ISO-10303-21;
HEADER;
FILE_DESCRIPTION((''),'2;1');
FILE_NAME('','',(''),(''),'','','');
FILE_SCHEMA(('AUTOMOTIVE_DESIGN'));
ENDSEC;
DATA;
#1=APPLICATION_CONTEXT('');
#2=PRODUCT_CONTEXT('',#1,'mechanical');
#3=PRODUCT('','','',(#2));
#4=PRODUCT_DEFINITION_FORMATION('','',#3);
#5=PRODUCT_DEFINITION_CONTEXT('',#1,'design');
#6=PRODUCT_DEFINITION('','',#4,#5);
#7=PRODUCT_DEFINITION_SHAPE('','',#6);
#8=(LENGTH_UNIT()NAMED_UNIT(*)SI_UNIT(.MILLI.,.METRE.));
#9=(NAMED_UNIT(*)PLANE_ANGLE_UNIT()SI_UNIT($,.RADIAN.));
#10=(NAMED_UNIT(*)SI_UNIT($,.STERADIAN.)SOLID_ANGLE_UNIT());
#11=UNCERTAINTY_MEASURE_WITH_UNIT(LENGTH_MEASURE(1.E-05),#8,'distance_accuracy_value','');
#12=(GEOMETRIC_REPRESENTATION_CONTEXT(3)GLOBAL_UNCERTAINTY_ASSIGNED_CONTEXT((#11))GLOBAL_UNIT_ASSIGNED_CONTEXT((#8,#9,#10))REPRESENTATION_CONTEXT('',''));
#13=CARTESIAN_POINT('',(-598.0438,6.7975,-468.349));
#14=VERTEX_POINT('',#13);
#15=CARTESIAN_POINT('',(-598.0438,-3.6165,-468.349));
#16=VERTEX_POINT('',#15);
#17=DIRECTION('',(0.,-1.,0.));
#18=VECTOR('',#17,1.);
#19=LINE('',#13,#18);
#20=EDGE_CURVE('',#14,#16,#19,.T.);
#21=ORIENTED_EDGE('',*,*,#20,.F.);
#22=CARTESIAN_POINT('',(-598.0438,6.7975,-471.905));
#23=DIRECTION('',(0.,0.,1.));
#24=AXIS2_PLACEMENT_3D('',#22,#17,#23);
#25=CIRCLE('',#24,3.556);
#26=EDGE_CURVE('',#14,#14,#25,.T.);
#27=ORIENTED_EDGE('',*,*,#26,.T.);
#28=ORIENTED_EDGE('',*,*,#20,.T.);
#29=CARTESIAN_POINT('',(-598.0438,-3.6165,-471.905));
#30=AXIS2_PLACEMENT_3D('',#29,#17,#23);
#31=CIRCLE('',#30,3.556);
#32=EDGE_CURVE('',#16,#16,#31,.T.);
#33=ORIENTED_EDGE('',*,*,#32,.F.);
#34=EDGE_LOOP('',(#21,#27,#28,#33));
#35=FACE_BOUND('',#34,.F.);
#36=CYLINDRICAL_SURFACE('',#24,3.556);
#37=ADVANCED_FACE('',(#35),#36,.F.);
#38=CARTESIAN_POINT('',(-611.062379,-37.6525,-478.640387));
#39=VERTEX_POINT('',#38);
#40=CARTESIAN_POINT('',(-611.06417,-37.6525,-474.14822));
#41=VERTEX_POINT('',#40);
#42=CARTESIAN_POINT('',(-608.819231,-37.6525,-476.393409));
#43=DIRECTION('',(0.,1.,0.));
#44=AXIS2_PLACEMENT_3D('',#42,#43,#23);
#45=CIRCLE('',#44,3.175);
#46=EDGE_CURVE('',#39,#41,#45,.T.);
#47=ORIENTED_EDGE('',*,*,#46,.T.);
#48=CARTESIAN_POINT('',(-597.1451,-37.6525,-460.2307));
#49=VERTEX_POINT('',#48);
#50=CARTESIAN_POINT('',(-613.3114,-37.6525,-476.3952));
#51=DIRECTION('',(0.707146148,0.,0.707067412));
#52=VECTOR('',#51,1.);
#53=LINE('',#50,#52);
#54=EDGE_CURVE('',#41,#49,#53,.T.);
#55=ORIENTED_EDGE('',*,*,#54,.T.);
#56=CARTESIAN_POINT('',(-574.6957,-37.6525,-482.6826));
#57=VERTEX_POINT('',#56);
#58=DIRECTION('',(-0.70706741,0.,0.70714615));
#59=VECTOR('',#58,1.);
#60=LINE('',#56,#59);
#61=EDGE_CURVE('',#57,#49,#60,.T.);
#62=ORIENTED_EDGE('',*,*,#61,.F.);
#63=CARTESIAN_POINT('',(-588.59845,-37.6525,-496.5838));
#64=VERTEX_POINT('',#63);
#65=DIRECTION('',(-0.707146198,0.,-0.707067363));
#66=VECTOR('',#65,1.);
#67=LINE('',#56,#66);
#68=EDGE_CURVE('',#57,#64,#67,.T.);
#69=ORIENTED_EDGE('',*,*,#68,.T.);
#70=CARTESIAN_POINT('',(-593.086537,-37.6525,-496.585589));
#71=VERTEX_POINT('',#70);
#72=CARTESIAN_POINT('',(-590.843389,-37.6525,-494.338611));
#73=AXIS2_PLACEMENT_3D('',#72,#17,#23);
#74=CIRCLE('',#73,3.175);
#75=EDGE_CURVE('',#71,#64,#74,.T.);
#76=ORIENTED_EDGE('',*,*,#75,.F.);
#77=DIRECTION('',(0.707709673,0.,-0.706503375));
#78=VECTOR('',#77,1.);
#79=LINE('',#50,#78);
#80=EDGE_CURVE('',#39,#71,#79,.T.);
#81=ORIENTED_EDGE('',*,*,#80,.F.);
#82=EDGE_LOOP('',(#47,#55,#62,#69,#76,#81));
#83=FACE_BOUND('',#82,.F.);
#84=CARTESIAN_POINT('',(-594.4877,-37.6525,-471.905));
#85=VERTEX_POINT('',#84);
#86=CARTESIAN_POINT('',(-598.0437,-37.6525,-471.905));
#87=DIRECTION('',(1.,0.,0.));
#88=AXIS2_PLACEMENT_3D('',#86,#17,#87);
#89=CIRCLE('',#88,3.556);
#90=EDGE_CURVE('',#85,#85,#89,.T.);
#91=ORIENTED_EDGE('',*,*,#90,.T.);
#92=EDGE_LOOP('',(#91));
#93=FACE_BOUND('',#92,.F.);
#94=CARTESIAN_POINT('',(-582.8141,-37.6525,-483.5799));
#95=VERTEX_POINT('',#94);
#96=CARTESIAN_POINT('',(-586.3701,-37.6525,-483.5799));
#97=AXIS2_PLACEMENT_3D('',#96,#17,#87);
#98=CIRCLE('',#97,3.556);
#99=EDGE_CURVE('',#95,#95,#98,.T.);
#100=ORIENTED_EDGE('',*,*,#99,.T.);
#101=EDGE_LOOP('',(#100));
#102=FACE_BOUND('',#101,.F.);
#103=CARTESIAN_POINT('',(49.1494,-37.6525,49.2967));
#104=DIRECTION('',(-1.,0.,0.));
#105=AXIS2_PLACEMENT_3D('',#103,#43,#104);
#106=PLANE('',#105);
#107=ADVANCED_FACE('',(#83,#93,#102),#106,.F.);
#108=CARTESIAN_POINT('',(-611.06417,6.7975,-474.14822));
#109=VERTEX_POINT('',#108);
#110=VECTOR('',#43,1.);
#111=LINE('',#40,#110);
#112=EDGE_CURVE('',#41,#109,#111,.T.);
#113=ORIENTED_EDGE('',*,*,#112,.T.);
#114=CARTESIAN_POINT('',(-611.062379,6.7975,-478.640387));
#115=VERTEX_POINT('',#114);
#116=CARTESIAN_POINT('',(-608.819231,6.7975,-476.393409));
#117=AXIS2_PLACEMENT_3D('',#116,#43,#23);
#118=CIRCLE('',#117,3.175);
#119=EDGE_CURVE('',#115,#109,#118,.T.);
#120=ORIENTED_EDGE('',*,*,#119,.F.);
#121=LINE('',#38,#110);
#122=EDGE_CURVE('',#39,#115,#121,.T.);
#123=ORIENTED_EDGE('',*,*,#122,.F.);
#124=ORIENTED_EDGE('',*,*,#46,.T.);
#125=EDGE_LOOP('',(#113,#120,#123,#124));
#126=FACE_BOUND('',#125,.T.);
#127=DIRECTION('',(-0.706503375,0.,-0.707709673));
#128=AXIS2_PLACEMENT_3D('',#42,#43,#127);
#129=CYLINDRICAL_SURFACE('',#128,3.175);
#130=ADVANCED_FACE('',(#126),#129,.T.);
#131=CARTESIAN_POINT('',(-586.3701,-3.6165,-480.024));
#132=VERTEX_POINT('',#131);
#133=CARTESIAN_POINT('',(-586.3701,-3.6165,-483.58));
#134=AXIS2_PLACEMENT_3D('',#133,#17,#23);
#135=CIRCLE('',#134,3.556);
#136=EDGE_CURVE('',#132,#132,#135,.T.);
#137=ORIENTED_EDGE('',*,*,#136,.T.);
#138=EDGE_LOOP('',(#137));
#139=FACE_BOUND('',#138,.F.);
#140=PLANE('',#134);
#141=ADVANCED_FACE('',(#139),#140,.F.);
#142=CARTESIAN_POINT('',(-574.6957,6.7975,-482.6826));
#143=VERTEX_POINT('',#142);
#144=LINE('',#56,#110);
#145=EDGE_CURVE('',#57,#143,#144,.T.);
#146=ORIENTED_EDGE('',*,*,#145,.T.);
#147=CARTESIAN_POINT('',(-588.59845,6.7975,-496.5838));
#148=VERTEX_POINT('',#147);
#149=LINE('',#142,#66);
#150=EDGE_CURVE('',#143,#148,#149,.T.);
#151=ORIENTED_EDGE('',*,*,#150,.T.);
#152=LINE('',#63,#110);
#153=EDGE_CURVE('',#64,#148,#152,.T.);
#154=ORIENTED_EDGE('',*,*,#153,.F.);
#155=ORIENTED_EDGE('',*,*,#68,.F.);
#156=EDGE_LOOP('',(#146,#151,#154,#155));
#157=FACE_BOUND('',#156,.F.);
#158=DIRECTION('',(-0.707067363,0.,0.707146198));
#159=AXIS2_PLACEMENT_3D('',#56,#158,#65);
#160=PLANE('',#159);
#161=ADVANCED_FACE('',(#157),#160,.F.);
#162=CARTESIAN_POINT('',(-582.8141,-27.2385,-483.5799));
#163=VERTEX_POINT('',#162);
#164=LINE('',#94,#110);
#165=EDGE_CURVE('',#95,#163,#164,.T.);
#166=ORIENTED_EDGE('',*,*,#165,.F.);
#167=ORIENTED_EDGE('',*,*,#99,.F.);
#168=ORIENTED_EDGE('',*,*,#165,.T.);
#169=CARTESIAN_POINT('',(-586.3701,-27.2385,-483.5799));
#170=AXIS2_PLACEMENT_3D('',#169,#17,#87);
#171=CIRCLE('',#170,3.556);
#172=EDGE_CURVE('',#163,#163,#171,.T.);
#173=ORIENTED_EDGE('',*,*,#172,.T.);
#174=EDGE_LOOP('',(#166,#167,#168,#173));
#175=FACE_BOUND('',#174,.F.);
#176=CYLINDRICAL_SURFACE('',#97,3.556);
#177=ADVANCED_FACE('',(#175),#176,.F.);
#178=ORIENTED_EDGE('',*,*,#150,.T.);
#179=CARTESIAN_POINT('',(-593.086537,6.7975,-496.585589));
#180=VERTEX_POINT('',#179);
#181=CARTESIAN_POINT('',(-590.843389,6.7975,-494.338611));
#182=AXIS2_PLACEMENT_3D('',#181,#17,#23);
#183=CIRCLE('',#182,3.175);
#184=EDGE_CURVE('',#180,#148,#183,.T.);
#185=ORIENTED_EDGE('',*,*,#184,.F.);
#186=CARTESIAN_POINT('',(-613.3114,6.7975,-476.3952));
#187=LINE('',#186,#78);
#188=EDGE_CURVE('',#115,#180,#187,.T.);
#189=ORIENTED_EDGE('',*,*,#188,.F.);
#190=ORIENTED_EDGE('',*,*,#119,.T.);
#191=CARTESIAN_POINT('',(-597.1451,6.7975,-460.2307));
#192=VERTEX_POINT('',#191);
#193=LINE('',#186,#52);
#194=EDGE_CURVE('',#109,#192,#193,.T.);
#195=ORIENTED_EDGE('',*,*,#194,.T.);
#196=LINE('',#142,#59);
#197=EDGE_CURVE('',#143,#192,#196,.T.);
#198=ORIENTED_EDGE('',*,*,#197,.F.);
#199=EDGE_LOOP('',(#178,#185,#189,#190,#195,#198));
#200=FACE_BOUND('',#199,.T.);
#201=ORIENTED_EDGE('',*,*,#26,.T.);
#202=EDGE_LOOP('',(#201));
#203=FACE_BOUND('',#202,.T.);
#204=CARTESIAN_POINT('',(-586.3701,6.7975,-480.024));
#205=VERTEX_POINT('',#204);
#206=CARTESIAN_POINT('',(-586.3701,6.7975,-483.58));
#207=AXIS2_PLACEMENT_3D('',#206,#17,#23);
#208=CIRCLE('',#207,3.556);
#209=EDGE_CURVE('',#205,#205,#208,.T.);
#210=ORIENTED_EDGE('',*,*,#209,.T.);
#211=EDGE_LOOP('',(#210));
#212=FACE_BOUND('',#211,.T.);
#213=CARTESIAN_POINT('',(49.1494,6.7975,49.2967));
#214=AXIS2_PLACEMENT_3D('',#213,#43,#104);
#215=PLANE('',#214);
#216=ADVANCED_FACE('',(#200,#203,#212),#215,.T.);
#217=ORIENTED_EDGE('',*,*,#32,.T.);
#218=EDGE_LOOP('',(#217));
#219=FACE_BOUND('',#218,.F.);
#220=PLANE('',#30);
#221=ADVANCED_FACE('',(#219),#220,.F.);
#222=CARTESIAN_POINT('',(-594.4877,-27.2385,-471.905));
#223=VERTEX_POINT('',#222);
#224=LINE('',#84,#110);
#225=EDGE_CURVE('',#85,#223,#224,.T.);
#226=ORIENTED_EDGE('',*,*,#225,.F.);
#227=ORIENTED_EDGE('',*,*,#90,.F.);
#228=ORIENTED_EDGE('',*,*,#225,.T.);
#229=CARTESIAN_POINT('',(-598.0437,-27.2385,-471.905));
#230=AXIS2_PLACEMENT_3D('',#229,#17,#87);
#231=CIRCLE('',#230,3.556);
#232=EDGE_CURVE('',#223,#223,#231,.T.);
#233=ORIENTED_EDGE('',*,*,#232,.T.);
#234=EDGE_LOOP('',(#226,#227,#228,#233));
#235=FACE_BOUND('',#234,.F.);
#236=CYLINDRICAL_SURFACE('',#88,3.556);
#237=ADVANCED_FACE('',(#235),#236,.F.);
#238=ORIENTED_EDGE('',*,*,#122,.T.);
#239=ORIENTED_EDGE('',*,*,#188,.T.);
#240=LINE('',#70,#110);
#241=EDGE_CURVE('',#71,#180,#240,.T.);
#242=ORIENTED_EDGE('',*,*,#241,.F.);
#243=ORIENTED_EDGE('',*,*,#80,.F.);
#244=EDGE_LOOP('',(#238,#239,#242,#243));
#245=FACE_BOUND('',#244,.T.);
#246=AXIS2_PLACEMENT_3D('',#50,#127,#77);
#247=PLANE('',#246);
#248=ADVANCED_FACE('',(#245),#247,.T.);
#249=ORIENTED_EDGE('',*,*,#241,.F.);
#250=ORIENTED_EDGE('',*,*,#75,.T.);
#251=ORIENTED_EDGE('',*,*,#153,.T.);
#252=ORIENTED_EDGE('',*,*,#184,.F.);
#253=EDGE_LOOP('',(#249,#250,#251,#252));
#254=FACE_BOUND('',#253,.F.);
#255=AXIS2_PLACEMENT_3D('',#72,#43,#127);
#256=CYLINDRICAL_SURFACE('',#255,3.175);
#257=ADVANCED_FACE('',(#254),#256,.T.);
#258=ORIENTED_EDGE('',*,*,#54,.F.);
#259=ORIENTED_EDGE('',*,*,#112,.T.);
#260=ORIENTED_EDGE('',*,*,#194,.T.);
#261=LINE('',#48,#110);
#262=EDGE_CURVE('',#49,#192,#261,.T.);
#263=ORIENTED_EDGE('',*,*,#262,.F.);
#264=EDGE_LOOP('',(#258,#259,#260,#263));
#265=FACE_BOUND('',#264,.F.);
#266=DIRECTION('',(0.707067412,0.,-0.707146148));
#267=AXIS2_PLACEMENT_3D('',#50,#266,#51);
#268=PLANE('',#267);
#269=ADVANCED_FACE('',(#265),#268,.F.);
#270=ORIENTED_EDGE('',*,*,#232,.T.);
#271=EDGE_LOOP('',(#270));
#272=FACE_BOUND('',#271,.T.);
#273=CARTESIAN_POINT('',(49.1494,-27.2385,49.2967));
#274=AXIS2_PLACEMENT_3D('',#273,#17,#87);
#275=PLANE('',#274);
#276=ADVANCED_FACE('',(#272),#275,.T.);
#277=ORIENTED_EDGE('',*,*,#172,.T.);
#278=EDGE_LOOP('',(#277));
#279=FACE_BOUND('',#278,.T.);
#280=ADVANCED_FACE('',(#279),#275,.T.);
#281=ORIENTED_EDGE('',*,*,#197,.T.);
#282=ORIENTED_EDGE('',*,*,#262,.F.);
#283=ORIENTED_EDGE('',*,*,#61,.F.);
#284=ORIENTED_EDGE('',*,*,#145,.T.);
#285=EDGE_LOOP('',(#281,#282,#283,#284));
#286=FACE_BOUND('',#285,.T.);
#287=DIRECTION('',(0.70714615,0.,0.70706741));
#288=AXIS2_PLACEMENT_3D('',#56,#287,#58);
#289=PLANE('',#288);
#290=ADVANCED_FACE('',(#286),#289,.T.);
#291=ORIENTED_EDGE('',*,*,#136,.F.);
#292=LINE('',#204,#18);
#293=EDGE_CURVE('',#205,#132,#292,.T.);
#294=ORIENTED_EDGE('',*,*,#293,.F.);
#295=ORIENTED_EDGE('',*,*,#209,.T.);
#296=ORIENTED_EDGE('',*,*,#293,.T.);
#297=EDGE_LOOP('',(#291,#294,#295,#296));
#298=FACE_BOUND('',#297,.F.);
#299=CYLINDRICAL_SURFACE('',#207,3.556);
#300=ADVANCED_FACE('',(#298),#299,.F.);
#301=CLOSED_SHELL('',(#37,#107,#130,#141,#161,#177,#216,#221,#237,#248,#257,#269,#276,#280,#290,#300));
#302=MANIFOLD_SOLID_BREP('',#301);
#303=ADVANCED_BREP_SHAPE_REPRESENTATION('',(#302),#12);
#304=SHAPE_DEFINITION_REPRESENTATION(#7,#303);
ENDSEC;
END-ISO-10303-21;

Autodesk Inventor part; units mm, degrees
ref_plane "YZ Plane" through (0, 0, 0) normal (1, 0, 0) x (0, 1, 0)
ref_plane "XZ Plane" through (0, 0, 0) normal (0, 1, 0) x (-1, 0, 0)
ref_plane "XY Plane" through (0, 0, 0) normal (0, 0, 1) x (1, 0, 0)
ref_plane "Work Plane1" through (49.1494, -37.6525, 49.2967) normal (0, 1, 0) x (-1, 0, 0)
sketch "Sketch2" plane through (49.1494, -37.6525, 49.2967) normal (0, 1, 0) x (-1, 0, 0)
  line L0 (662.4608, -525.6919) -> (646.2945, -509.5274) projected
  line L1 (143.1429, -6.4305) -> (69.9168, -79.6645) projected
  line L2 (623.8451, -531.9793) -> (639.991, -548.1234) projected
  line L3 (104.5272, -12.7179) -> (126.9766, 9.734) projected
  line L4 (646.2945, -509.5274) -> (662.4608, -525.6919)
  line L5 (662.4608, -525.6919) -> (639.991, -548.1234)
  line L6 (639.991, -548.1234) -> (623.8451, -531.9793)
  line L7 (623.8451, -531.9793) -> (646.2945, -509.5274)
  point P0 (49.1494, -49.2967)
  point P1 (69.9168, -79.6645)
extrude "Extrusion2" add sketch "Sketch2" along normal blind 44.45
sketch "Sketch3" plane through (49.1494, 6.7975, 49.2967) normal (0, 1, 0) x (1, 0, 0)
  circle A0 centre (-647.1931, 521.2017) radius 2.4765 projected
  circle A1 centre (-635.5195, 532.8766) radius 2.4765 projected
  point P0 (-49.1494, 49.2967)
hole "Hole1" at (-586.3701, 6.7975, -483.58) at (-598.0438, 6.7975, -471.905) direction (0, -1, 0) diameter 7.112 depth 10.414
sketch "Sketch4" plane through (49.1494, -37.6525, 49.2967) normal (0, -1, 0) x (1, 0, 0)
  circle A0 centre (-647.1931, -521.2017) radius 3.556 projected
  circle A1 centre (-635.5195, -532.8766) radius 3.556 projected
  point P0 (-49.1494, -49.2967)
extrude "Extrusion3" cut sketch "Sketch4" against normal blind 10.414
fillet "Fillet1" radius 3.175 2 edges at (-590.8417, -15.4275, -498.8268) (-613.3114, -15.4275, -476.3953)
properties part number "Standoff"
